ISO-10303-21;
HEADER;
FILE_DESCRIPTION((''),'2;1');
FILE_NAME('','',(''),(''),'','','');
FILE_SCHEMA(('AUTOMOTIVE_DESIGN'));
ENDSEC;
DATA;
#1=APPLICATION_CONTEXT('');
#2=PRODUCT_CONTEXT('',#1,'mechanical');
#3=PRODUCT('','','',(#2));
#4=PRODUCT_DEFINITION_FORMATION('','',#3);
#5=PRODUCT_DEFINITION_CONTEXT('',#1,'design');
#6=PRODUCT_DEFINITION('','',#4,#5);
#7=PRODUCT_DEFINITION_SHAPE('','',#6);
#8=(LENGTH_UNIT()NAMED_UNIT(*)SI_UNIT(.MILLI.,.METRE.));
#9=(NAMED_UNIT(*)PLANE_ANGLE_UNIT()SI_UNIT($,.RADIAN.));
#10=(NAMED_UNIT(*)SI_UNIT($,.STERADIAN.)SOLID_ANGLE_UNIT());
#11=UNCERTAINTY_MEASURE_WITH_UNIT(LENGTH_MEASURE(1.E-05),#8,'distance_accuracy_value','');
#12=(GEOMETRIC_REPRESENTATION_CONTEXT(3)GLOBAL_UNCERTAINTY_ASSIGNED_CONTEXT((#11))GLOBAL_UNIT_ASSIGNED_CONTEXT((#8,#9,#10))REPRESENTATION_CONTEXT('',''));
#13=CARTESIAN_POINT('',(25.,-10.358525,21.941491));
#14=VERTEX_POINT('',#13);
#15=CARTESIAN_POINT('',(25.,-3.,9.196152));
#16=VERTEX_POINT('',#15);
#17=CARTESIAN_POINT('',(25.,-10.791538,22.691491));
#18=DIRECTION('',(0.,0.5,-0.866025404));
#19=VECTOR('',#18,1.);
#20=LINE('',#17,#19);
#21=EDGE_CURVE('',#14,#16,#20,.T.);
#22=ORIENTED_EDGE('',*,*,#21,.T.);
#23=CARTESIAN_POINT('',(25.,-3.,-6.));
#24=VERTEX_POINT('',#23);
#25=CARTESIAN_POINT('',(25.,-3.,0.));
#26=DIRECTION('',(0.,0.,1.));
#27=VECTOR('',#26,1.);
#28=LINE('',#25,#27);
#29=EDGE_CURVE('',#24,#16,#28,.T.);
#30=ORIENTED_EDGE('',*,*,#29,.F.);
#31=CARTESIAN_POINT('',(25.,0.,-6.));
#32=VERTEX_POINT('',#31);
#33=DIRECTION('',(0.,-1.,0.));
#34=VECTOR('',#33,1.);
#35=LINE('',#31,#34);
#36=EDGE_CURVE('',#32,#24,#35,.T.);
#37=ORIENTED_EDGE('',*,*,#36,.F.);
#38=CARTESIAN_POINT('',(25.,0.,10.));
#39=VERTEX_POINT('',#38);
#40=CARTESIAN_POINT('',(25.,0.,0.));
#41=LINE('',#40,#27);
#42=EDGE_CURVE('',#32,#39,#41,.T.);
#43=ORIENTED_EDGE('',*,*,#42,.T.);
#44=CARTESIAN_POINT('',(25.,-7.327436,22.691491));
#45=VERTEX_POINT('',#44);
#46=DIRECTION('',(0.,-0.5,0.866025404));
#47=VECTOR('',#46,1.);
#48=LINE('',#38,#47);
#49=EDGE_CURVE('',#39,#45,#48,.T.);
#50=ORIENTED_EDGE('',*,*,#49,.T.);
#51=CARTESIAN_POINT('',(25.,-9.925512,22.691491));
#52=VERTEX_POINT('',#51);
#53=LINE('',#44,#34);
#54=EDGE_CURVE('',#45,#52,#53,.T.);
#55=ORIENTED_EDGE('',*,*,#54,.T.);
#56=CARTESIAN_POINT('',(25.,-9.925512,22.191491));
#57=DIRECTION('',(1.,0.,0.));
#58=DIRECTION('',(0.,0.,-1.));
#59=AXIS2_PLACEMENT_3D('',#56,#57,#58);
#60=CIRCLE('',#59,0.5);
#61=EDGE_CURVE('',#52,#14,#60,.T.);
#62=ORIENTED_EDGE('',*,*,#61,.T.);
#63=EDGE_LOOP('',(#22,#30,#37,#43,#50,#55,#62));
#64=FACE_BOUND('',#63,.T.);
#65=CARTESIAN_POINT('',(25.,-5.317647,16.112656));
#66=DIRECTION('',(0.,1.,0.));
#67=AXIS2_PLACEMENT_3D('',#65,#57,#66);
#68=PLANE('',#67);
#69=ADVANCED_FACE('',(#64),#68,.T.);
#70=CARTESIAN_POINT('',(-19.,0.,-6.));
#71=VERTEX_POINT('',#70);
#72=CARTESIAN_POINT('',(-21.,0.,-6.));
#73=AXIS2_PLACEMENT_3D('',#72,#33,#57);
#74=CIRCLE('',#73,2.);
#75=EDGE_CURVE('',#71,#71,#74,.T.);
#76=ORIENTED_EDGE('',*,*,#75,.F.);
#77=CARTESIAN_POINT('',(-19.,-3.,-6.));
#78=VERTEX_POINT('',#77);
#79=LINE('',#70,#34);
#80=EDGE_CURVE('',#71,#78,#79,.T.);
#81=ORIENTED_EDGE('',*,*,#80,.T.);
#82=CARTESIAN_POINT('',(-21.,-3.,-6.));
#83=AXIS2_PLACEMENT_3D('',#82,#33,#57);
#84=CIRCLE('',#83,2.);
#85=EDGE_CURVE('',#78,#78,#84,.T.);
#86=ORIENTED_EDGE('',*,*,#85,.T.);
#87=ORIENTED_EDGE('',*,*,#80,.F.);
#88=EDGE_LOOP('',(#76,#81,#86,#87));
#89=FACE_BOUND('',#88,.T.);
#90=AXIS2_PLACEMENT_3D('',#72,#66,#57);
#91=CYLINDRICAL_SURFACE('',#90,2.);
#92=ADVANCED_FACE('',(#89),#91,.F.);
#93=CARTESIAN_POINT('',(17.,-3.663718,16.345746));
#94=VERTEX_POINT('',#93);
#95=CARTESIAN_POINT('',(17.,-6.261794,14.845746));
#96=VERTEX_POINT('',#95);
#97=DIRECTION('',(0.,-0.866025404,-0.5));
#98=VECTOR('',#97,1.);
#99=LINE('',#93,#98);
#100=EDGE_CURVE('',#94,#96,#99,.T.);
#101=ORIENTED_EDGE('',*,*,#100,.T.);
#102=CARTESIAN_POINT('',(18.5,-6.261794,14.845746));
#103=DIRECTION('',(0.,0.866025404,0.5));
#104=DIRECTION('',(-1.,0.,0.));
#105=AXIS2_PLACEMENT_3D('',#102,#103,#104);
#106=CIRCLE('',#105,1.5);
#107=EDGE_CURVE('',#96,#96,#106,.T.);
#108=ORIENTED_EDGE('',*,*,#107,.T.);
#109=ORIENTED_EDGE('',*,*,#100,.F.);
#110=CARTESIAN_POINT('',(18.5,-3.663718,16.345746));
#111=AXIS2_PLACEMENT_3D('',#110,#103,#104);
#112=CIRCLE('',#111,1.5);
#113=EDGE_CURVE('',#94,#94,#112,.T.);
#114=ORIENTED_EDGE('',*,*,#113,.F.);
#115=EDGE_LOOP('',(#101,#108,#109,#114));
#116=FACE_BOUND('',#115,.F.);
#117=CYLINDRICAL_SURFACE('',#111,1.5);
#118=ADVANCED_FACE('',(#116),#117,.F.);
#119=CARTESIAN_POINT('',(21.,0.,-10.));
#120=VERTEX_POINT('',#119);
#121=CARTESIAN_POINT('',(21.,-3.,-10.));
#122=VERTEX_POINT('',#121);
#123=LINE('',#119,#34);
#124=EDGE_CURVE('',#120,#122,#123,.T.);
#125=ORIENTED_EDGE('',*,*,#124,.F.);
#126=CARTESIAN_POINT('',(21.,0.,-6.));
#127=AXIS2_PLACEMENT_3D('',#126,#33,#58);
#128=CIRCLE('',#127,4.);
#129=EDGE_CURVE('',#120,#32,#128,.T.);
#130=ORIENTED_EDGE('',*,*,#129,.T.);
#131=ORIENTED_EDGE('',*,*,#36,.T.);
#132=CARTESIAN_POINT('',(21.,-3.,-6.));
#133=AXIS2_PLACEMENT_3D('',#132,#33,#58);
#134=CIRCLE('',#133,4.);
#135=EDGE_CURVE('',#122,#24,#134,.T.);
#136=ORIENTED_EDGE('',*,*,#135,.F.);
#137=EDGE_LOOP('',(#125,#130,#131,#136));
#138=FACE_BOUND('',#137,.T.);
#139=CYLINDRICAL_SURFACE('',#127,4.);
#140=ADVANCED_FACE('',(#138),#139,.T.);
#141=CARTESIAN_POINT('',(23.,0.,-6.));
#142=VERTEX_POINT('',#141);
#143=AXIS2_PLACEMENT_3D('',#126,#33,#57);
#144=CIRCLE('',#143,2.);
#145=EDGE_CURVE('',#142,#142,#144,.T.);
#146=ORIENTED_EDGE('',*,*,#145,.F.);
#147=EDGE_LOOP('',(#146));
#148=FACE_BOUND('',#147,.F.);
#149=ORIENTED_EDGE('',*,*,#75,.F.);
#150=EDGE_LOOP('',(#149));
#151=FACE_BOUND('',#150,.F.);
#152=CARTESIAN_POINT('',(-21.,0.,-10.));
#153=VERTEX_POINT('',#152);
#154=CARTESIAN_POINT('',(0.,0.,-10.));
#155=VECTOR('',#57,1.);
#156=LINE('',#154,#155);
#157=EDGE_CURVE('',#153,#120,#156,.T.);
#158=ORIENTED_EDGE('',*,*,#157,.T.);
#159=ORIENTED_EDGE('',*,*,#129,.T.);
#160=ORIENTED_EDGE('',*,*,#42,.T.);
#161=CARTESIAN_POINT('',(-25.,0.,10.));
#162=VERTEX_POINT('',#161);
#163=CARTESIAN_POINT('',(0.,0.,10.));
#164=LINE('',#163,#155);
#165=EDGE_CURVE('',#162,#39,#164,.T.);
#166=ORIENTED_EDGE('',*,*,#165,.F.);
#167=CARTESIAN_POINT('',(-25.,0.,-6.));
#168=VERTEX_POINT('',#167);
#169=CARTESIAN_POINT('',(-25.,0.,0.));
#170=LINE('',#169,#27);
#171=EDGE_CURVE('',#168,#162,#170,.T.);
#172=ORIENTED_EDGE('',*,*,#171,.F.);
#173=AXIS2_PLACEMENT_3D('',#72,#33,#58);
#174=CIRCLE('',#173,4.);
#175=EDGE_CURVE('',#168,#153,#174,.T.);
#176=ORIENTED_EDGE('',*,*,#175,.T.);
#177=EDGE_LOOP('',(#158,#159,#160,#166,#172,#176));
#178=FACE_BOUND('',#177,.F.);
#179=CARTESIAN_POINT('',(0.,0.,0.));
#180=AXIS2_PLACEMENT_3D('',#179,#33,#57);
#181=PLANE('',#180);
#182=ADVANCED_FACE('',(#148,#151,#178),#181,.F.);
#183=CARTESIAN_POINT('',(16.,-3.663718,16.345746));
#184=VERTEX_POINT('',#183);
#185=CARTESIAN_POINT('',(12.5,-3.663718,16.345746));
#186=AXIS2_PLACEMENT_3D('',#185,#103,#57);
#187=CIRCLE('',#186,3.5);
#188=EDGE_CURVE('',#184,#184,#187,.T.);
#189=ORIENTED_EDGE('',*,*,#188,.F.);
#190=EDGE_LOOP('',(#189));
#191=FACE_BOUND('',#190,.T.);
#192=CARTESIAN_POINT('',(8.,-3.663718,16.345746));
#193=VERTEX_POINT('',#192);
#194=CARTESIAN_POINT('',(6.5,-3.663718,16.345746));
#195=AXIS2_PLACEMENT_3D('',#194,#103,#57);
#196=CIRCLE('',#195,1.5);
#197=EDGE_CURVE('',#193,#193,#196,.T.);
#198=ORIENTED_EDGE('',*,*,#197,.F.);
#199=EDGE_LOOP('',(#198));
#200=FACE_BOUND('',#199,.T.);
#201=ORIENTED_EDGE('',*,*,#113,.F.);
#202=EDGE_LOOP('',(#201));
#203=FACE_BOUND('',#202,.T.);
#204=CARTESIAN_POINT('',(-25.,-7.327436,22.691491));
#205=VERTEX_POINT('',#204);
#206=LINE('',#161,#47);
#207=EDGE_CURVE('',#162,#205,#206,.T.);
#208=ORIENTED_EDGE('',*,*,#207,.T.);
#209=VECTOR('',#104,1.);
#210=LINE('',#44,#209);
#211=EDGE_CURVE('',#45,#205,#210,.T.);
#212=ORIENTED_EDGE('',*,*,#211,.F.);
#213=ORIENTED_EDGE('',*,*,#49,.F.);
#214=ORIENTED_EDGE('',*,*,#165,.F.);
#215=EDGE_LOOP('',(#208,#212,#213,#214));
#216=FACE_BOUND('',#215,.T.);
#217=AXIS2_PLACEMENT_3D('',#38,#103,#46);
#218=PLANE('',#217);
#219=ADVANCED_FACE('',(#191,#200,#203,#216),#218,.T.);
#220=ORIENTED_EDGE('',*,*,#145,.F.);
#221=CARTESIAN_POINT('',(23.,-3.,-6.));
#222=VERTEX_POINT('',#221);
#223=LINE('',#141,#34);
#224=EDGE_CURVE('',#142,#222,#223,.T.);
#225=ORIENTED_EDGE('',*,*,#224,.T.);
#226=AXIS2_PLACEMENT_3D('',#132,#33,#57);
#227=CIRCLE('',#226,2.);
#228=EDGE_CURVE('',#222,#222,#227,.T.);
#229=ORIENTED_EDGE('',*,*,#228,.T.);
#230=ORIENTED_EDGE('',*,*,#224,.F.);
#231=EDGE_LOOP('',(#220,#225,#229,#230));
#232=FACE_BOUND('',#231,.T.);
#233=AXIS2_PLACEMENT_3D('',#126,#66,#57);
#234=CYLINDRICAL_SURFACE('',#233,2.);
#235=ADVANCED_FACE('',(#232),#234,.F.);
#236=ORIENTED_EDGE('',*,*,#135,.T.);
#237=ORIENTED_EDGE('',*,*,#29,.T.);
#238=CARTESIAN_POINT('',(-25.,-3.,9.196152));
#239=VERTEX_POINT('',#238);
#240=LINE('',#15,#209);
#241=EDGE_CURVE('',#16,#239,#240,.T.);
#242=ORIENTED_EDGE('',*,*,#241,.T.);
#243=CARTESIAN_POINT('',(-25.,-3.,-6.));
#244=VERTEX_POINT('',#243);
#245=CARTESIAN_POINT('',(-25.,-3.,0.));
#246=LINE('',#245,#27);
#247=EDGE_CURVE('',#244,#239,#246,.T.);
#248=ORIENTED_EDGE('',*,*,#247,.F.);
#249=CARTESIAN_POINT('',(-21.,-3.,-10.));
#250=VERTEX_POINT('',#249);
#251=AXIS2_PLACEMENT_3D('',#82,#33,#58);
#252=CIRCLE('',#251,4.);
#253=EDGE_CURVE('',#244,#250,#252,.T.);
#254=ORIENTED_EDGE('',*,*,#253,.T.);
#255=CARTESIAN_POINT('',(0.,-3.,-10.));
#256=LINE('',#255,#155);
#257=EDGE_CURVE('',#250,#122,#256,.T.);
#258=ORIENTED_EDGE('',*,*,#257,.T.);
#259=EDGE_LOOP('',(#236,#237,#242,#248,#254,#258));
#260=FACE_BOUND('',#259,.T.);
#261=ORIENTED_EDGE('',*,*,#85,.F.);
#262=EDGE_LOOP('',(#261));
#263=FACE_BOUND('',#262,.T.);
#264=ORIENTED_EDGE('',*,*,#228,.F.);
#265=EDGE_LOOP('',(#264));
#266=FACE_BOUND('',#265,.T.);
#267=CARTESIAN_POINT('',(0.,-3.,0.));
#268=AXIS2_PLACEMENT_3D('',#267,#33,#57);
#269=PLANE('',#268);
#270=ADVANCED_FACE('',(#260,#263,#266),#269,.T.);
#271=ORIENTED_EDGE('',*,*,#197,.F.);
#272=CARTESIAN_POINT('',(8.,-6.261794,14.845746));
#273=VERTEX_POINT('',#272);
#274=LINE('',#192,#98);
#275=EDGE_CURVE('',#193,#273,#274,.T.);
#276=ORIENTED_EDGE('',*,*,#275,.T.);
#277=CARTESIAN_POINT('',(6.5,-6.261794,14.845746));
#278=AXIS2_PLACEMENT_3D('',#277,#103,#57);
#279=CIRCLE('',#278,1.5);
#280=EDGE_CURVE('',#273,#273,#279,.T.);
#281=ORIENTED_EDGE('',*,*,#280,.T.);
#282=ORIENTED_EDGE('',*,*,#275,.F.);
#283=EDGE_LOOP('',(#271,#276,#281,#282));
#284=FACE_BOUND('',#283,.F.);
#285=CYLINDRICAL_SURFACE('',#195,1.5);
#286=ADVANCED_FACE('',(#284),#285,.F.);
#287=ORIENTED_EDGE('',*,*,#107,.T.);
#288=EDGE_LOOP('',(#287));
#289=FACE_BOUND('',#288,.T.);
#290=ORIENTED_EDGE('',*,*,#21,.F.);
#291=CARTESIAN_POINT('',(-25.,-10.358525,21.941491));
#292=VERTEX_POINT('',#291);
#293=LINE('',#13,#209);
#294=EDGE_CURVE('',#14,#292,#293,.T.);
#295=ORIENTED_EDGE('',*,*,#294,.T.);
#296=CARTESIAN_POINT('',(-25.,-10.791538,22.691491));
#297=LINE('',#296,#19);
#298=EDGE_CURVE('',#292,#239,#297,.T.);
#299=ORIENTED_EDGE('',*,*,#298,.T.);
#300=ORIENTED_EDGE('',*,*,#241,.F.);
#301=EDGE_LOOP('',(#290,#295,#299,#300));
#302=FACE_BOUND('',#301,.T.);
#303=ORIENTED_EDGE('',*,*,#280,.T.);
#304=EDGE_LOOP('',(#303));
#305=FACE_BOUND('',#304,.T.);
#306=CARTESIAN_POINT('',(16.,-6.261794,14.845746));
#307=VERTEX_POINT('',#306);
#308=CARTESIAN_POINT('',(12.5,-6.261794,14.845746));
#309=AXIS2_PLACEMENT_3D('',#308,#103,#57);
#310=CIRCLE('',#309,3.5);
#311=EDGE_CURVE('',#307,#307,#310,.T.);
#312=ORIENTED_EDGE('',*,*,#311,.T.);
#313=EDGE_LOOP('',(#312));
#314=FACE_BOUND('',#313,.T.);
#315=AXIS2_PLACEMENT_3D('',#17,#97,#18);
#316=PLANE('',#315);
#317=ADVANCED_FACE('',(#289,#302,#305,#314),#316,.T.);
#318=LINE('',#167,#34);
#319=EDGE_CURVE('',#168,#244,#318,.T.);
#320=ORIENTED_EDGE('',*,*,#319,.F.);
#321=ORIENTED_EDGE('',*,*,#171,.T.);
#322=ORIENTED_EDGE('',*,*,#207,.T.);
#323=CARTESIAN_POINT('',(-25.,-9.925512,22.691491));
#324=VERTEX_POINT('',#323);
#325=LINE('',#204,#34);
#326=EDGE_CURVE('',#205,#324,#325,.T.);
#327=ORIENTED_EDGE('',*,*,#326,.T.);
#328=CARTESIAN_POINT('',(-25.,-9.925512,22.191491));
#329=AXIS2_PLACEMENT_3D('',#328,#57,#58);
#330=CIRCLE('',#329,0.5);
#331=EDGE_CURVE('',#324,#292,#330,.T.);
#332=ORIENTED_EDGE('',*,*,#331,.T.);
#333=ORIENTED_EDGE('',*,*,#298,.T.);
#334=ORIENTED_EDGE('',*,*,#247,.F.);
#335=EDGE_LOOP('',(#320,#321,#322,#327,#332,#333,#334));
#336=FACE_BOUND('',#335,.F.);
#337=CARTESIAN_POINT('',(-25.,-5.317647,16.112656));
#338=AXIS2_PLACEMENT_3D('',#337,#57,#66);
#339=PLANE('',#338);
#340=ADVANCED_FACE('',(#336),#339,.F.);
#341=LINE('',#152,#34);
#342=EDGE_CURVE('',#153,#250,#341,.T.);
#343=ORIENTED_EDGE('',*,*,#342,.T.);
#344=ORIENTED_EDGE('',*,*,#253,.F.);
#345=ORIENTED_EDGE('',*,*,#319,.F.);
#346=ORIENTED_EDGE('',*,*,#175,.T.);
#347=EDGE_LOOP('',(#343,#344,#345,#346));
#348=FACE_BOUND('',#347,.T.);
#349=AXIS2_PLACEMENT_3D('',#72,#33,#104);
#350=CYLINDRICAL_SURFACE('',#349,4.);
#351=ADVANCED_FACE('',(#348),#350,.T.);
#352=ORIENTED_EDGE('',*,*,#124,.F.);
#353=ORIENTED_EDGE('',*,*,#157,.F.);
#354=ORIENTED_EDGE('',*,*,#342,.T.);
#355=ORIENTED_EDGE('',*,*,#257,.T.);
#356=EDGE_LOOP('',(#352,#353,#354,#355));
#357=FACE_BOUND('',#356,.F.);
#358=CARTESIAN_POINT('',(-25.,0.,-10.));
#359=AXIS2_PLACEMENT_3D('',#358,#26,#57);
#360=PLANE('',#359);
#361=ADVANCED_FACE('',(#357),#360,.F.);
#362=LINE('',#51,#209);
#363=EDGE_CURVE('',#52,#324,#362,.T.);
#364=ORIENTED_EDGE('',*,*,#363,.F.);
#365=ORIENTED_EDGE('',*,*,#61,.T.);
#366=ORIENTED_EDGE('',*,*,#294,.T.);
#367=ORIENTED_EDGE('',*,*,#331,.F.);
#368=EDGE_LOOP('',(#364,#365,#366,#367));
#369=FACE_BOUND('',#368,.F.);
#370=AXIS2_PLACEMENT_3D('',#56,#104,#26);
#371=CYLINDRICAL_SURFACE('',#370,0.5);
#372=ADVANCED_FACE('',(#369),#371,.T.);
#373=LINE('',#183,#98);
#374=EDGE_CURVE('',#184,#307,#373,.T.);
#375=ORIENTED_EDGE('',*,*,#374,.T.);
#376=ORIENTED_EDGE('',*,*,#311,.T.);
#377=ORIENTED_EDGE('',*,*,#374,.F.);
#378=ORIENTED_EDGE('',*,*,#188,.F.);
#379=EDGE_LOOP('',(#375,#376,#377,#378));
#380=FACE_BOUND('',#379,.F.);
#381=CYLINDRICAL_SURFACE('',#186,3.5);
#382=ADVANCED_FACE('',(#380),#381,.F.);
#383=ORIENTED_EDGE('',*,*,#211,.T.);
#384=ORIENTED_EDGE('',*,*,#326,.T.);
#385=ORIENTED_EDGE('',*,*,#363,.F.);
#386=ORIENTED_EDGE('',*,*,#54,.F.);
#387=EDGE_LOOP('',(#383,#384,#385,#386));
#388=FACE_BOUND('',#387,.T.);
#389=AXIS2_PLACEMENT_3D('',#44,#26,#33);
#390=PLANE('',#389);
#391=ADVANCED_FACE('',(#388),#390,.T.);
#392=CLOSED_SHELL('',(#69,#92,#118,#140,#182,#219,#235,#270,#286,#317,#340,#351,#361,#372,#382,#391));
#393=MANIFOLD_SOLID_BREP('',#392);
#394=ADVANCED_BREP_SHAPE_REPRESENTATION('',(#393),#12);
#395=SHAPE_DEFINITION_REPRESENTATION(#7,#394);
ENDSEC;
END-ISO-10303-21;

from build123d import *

# Parameters (mm, degrees)
F0_W     = 50
F0_H     = 20
F0_R     = 2
F1_DEPTH = 3
F2_R     = 4
F4_DEPTH = 50
F6_DEPTH = 25
F7_R     = 0.5


with BuildPart() as f1:
    # F0 (on Front) → F1 (new body)
    with BuildSketch(Plane.XZ):
        Rectangle(F0_W, F0_H)
        with Locations((-21, -6)):
            Circle(F0_R, mode=Mode.SUBTRACT)
        with Locations((21, -6)):
            Circle(F0_R, mode=Mode.SUBTRACT)
    extrude(amount=F1_DEPTH)

    # F2
    f2_edges = [f1.edges().sort_by_distance(p)[0] for p in [
        (-25, -1.5, -10),
        (25, -1.5, -10),
    ]]
    fillet(f2_edges, radius=F2_R)

    # F3 (on face) → F4 (join)
    with BuildSketch(Plane.YZ.offset(25)):
        Polygon((0, 10), (-7.3274360099, 22.6914914583), (-10.791537625, 22.6914914583), (-3, 9.1961524227), (-3, 10), align=None)
    extrude(amount=-F4_DEPTH)

    # F5 (on face) → F6 (cut)
    with BuildSketch(Plane(origin=(0, 4.3301270189, 2.5), x_dir=(-1, 0, 0), z_dir=(0, 0.8660254038, 0.5))):
        with BuildLine():
            Line((-16, 15.9876900477), (-9, 15.9876900477))
            ThreePointArc((-9, 15.9876900477), (-12.5, 19.4876900477), (-16, 15.9876900477))
        make_face()
        with BuildLine():
            ThreePointArc((-20, 15.9876900477), (-18.5, 14.4876900477), (-17, 15.9876900477))
            Line((-17, 15.9876900477), (-20, 15.9876900477))
        make_face()
        with BuildLine():
            Line((-20, 15.9876900477), (-17, 15.9876900477))
            ThreePointArc((-17, 15.9876900477), (-18.5, 17.4876900477), (-20, 15.9876900477))
        make_face()
        with BuildLine():
            ThreePointArc((-5, 15.9876900477), (-6.5, 17.4876900477), (-8, 15.9876900477))
            Line((-8, 15.9876900477), (-5, 15.9876900477))
        make_face()
        with BuildLine():
            Line((-5, 15.9876900477), (-8, 15.9876900477))
            ThreePointArc((-8, 15.9876900477), (-6.5, 14.4876900477), (-5, 15.9876900477))
        make_face()
        with BuildLine():
            ThreePointArc((-16, 15.9876900477), (-12.5, 12.4876900477), (-9, 15.9876900477))
            Line((-9, 15.9876900477), (-16, 15.9876900477))
        make_face()
    extrude(amount=-F6_DEPTH, mode=Mode.SUBTRACT)

    # F7
    f7_edges = [f1.edges().sort_by_distance(p)[0] for p in [
        (0, -10.791538, 22.691491),
    ]]
    fillet(f7_edges, radius=F7_R)


solid = f1.part
